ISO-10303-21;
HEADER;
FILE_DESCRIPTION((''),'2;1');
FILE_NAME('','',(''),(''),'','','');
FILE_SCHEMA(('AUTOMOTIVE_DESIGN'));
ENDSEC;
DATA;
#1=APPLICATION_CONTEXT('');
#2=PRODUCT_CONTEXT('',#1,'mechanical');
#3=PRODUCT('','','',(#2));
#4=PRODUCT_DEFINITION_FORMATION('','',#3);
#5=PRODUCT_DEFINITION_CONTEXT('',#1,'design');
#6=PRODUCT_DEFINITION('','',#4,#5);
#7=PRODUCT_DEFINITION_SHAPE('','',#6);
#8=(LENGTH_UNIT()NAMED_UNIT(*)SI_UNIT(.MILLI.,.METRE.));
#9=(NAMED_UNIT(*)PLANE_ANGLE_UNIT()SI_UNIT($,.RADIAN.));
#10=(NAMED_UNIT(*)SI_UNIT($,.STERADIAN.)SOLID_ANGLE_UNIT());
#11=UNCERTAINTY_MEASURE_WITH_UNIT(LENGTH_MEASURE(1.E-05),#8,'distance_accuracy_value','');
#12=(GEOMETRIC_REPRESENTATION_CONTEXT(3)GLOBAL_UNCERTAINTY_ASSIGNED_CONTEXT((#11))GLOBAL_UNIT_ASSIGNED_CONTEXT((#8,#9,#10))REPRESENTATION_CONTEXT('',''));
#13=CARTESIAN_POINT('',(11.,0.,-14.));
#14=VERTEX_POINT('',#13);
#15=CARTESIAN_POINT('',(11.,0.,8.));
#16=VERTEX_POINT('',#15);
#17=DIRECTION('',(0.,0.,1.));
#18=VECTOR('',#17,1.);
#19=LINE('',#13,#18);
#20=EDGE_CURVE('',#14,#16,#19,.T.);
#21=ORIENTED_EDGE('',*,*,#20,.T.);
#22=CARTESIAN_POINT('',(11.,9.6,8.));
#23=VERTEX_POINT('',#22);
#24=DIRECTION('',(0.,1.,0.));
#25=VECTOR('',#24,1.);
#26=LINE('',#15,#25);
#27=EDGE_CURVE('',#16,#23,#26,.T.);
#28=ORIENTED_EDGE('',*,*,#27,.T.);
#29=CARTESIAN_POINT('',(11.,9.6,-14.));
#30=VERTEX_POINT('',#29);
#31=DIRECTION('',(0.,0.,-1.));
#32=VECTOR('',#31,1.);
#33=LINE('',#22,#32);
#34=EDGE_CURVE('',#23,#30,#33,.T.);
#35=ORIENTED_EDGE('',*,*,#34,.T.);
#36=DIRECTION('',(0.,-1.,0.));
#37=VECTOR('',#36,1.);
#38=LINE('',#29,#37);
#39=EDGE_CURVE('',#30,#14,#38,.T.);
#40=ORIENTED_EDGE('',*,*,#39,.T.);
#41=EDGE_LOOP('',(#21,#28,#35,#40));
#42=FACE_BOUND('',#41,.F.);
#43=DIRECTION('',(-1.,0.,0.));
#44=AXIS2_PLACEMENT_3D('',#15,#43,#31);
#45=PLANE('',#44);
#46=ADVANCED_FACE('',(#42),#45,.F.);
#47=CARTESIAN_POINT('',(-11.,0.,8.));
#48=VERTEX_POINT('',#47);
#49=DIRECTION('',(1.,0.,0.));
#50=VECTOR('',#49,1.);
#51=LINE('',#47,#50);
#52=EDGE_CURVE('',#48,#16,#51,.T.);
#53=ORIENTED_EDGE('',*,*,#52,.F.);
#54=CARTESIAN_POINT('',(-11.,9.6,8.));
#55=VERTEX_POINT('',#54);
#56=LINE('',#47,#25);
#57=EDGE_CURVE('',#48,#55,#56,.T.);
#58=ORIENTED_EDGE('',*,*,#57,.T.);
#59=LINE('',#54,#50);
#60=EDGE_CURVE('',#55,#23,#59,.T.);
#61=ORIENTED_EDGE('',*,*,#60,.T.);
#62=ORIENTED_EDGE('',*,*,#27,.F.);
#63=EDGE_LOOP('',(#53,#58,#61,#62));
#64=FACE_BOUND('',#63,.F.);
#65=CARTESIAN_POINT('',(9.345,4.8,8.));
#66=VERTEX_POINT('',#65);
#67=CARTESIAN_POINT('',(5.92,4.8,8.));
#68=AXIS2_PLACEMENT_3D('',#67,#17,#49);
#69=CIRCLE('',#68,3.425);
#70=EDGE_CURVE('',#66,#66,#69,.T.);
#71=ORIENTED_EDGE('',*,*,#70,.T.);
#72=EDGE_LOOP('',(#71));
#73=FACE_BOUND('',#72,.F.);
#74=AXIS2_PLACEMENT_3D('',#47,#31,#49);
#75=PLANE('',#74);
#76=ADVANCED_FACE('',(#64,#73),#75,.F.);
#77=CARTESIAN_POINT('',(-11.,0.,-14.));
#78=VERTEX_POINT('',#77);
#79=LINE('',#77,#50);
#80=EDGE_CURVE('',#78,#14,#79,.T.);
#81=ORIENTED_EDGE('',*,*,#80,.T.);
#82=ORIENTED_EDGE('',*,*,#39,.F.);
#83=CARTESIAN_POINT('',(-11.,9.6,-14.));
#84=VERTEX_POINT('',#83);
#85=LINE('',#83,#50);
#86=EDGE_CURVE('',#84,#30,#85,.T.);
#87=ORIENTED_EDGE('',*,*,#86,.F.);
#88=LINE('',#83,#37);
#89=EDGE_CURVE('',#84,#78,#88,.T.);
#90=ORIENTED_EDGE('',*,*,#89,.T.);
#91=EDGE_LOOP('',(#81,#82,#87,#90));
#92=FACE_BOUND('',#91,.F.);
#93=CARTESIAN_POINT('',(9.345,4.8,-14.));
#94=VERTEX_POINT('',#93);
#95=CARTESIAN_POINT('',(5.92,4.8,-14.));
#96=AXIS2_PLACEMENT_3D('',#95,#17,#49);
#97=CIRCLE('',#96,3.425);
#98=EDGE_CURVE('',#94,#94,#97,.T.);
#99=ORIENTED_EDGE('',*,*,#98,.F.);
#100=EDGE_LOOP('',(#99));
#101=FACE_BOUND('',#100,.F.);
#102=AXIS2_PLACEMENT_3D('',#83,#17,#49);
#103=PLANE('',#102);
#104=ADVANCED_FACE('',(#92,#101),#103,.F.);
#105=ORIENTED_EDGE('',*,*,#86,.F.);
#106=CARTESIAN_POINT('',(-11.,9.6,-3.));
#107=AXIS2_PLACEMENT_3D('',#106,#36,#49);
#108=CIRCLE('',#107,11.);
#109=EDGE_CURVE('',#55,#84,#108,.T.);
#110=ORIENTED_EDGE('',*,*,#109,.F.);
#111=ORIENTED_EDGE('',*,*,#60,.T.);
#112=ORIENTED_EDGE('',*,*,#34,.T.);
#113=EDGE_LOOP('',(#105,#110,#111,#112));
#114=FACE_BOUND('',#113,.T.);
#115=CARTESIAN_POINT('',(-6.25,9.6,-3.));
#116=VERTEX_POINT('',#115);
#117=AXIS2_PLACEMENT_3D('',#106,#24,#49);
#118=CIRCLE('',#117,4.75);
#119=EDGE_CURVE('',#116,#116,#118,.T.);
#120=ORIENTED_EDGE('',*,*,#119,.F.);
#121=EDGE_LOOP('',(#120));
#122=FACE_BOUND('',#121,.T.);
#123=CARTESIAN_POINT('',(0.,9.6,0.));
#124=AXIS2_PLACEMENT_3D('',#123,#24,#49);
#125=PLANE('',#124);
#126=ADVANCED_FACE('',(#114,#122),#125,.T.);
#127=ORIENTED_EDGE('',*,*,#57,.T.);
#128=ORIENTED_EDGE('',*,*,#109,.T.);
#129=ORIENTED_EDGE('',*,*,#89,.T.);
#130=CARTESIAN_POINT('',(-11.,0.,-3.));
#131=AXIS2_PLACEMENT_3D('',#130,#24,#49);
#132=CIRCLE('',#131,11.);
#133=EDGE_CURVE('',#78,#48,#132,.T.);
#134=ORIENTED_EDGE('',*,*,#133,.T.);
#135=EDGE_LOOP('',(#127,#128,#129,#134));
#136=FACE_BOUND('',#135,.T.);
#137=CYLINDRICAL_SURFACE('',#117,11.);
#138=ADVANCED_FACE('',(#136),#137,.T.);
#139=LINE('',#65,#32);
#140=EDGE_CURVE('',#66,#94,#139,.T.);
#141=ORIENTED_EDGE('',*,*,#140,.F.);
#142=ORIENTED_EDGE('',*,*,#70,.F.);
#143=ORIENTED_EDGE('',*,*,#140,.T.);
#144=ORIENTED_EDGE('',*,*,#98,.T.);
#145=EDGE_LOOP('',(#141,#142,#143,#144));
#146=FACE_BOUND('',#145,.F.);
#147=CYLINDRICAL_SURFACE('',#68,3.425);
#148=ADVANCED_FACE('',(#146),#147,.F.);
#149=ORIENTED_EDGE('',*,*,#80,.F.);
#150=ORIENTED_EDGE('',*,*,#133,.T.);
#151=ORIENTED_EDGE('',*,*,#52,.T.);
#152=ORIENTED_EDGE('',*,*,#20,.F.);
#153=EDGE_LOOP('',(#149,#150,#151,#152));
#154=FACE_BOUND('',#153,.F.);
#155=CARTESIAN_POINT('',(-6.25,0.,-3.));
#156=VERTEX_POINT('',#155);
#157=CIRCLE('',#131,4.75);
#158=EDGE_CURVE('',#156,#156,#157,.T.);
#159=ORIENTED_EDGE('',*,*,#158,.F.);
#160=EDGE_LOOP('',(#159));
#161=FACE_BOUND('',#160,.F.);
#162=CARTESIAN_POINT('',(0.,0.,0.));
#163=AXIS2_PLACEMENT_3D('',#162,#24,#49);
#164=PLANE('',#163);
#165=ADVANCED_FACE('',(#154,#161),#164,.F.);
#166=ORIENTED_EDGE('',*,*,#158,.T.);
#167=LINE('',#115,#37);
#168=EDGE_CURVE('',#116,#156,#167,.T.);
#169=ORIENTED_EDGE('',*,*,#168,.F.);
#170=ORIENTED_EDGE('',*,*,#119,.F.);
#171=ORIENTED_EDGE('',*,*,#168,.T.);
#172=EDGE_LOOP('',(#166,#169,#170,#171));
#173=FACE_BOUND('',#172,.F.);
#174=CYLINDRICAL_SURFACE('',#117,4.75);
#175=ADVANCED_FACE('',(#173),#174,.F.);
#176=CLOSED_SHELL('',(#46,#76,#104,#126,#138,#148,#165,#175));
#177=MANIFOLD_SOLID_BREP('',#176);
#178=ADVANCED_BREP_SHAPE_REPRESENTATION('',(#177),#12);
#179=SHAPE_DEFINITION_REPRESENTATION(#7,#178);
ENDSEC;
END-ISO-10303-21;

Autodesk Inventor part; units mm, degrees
ref_plane "YZ Plane" through (0, 0, 0) normal (1, 0, 0) x (0, 1, 0)
ref_plane "XZ Plane" through (0, 0, 0) normal (0, 1, 0) x (-1, 0, 0)
ref_plane "XY Plane" through (0, 0, 0) normal (0, 0, 1) x (1, 0, 0)
sketch "Sketch1" plane through (0, 0, 0) normal (0, 1, 0) x (-1, 0, 0)
  line L0 (11, 8) -> (-11, 8)
  line L1 (-11, 8) -> (-11, -8)
  line L2 (-11, -8) -> (11, -8)
  line L3 (11, -8) -> (11, 8)
  line L4 (0, 0) -> (0, -8) construction
  line L5 (0, 0) -> (11, 0) construction
  dimension "d0" = 16
  dimension "d1" = 22
  dimension "d2" = 8
  dimension "d3" = 11
extrude "Extrusion1" add sketch "Sketch1" along normal blind 9.6
sketch "Sketch2" plane through (-11, 0, 8) normal (0, 0, 1) x (1, 0, 0)
  line L0 (22, 0) -> (22, 9.6) projected
  line L1 (22, 4.8) -> (16.92, 4.8) construction
  circle A0 centre (16.92, 4.8) radius 3.425
  point P0 (11, 0)
  dimension "d6" = 5.08
  dimension "d8" = 6.85
sketch "Sketch3" plane through (-11, 0, -8) normal (-1, 0, 0) x (0, 0, 1)
  point P0 (8, 0)
sketch "Sketch4" plane through (0, 9.6, 0) normal (0, 1, 0) x (1, 0, 0)
  line L0 (-11, 8) -> (-11, -8) projected
  line L1 (11, -8) -> (-11, -8)
  line L2 (-11, -8) -> (-11, 14)
  line L3 (-11, 14) -> (11, 14)
  line L4 (11, 14) -> (11, -8)
  point P0 (0, 0)
  dimension "d10" = 22
extrude "Extrusion2" add sketch "Sketch4" against normal blind 9.6
sketch "Sketch5" plane through (0, 9.6, 0) normal (0, 1, 0) x (1, 0, 0)
  line L0 (-11, -8) -> (-11, 14) projected
  circle A0 centre (-11, 3) radius 11
  point P0 (0, 0)
extrude "Extrusion3" add sketch "Sketch5" against normal blind 9.6
extrude "Extrusion4" cut sketch "Sketch2" against normal through all
sketch "Sketch6" plane through (0, 9.6, 0) normal (0, 1, 0) x (1, 0, 0)
  circle A0 centre (-11, 3) radius 6.35
  arc A1 (-11, 14) -> (-11, -8) centre (-11, 3) ccw projected
  point P0 (0, 0)
  dimension "d17" = 12.7
extrude "Extrusion5" cut sketch "Sketch6" against normal up to next
sketch "Sketch7" plane through (0, 9.6, 0) normal (0, 1, 0) x (1, 0, 0)
  circle A0 centre (-11, 3) radius 6.35 projected
  circle A1 centre (-11, 3) radius 6.35
  circle A2 centre (-11, 3) radius 4.75
  point P0 (0, 0)
  dimension "d20" = 9.5
extrude "Extrusion6" add sketch "Sketch7" against normal up to surface (9.6 mm away)
equation "\"d18\" = d17"
properties part number "Bearing O"
